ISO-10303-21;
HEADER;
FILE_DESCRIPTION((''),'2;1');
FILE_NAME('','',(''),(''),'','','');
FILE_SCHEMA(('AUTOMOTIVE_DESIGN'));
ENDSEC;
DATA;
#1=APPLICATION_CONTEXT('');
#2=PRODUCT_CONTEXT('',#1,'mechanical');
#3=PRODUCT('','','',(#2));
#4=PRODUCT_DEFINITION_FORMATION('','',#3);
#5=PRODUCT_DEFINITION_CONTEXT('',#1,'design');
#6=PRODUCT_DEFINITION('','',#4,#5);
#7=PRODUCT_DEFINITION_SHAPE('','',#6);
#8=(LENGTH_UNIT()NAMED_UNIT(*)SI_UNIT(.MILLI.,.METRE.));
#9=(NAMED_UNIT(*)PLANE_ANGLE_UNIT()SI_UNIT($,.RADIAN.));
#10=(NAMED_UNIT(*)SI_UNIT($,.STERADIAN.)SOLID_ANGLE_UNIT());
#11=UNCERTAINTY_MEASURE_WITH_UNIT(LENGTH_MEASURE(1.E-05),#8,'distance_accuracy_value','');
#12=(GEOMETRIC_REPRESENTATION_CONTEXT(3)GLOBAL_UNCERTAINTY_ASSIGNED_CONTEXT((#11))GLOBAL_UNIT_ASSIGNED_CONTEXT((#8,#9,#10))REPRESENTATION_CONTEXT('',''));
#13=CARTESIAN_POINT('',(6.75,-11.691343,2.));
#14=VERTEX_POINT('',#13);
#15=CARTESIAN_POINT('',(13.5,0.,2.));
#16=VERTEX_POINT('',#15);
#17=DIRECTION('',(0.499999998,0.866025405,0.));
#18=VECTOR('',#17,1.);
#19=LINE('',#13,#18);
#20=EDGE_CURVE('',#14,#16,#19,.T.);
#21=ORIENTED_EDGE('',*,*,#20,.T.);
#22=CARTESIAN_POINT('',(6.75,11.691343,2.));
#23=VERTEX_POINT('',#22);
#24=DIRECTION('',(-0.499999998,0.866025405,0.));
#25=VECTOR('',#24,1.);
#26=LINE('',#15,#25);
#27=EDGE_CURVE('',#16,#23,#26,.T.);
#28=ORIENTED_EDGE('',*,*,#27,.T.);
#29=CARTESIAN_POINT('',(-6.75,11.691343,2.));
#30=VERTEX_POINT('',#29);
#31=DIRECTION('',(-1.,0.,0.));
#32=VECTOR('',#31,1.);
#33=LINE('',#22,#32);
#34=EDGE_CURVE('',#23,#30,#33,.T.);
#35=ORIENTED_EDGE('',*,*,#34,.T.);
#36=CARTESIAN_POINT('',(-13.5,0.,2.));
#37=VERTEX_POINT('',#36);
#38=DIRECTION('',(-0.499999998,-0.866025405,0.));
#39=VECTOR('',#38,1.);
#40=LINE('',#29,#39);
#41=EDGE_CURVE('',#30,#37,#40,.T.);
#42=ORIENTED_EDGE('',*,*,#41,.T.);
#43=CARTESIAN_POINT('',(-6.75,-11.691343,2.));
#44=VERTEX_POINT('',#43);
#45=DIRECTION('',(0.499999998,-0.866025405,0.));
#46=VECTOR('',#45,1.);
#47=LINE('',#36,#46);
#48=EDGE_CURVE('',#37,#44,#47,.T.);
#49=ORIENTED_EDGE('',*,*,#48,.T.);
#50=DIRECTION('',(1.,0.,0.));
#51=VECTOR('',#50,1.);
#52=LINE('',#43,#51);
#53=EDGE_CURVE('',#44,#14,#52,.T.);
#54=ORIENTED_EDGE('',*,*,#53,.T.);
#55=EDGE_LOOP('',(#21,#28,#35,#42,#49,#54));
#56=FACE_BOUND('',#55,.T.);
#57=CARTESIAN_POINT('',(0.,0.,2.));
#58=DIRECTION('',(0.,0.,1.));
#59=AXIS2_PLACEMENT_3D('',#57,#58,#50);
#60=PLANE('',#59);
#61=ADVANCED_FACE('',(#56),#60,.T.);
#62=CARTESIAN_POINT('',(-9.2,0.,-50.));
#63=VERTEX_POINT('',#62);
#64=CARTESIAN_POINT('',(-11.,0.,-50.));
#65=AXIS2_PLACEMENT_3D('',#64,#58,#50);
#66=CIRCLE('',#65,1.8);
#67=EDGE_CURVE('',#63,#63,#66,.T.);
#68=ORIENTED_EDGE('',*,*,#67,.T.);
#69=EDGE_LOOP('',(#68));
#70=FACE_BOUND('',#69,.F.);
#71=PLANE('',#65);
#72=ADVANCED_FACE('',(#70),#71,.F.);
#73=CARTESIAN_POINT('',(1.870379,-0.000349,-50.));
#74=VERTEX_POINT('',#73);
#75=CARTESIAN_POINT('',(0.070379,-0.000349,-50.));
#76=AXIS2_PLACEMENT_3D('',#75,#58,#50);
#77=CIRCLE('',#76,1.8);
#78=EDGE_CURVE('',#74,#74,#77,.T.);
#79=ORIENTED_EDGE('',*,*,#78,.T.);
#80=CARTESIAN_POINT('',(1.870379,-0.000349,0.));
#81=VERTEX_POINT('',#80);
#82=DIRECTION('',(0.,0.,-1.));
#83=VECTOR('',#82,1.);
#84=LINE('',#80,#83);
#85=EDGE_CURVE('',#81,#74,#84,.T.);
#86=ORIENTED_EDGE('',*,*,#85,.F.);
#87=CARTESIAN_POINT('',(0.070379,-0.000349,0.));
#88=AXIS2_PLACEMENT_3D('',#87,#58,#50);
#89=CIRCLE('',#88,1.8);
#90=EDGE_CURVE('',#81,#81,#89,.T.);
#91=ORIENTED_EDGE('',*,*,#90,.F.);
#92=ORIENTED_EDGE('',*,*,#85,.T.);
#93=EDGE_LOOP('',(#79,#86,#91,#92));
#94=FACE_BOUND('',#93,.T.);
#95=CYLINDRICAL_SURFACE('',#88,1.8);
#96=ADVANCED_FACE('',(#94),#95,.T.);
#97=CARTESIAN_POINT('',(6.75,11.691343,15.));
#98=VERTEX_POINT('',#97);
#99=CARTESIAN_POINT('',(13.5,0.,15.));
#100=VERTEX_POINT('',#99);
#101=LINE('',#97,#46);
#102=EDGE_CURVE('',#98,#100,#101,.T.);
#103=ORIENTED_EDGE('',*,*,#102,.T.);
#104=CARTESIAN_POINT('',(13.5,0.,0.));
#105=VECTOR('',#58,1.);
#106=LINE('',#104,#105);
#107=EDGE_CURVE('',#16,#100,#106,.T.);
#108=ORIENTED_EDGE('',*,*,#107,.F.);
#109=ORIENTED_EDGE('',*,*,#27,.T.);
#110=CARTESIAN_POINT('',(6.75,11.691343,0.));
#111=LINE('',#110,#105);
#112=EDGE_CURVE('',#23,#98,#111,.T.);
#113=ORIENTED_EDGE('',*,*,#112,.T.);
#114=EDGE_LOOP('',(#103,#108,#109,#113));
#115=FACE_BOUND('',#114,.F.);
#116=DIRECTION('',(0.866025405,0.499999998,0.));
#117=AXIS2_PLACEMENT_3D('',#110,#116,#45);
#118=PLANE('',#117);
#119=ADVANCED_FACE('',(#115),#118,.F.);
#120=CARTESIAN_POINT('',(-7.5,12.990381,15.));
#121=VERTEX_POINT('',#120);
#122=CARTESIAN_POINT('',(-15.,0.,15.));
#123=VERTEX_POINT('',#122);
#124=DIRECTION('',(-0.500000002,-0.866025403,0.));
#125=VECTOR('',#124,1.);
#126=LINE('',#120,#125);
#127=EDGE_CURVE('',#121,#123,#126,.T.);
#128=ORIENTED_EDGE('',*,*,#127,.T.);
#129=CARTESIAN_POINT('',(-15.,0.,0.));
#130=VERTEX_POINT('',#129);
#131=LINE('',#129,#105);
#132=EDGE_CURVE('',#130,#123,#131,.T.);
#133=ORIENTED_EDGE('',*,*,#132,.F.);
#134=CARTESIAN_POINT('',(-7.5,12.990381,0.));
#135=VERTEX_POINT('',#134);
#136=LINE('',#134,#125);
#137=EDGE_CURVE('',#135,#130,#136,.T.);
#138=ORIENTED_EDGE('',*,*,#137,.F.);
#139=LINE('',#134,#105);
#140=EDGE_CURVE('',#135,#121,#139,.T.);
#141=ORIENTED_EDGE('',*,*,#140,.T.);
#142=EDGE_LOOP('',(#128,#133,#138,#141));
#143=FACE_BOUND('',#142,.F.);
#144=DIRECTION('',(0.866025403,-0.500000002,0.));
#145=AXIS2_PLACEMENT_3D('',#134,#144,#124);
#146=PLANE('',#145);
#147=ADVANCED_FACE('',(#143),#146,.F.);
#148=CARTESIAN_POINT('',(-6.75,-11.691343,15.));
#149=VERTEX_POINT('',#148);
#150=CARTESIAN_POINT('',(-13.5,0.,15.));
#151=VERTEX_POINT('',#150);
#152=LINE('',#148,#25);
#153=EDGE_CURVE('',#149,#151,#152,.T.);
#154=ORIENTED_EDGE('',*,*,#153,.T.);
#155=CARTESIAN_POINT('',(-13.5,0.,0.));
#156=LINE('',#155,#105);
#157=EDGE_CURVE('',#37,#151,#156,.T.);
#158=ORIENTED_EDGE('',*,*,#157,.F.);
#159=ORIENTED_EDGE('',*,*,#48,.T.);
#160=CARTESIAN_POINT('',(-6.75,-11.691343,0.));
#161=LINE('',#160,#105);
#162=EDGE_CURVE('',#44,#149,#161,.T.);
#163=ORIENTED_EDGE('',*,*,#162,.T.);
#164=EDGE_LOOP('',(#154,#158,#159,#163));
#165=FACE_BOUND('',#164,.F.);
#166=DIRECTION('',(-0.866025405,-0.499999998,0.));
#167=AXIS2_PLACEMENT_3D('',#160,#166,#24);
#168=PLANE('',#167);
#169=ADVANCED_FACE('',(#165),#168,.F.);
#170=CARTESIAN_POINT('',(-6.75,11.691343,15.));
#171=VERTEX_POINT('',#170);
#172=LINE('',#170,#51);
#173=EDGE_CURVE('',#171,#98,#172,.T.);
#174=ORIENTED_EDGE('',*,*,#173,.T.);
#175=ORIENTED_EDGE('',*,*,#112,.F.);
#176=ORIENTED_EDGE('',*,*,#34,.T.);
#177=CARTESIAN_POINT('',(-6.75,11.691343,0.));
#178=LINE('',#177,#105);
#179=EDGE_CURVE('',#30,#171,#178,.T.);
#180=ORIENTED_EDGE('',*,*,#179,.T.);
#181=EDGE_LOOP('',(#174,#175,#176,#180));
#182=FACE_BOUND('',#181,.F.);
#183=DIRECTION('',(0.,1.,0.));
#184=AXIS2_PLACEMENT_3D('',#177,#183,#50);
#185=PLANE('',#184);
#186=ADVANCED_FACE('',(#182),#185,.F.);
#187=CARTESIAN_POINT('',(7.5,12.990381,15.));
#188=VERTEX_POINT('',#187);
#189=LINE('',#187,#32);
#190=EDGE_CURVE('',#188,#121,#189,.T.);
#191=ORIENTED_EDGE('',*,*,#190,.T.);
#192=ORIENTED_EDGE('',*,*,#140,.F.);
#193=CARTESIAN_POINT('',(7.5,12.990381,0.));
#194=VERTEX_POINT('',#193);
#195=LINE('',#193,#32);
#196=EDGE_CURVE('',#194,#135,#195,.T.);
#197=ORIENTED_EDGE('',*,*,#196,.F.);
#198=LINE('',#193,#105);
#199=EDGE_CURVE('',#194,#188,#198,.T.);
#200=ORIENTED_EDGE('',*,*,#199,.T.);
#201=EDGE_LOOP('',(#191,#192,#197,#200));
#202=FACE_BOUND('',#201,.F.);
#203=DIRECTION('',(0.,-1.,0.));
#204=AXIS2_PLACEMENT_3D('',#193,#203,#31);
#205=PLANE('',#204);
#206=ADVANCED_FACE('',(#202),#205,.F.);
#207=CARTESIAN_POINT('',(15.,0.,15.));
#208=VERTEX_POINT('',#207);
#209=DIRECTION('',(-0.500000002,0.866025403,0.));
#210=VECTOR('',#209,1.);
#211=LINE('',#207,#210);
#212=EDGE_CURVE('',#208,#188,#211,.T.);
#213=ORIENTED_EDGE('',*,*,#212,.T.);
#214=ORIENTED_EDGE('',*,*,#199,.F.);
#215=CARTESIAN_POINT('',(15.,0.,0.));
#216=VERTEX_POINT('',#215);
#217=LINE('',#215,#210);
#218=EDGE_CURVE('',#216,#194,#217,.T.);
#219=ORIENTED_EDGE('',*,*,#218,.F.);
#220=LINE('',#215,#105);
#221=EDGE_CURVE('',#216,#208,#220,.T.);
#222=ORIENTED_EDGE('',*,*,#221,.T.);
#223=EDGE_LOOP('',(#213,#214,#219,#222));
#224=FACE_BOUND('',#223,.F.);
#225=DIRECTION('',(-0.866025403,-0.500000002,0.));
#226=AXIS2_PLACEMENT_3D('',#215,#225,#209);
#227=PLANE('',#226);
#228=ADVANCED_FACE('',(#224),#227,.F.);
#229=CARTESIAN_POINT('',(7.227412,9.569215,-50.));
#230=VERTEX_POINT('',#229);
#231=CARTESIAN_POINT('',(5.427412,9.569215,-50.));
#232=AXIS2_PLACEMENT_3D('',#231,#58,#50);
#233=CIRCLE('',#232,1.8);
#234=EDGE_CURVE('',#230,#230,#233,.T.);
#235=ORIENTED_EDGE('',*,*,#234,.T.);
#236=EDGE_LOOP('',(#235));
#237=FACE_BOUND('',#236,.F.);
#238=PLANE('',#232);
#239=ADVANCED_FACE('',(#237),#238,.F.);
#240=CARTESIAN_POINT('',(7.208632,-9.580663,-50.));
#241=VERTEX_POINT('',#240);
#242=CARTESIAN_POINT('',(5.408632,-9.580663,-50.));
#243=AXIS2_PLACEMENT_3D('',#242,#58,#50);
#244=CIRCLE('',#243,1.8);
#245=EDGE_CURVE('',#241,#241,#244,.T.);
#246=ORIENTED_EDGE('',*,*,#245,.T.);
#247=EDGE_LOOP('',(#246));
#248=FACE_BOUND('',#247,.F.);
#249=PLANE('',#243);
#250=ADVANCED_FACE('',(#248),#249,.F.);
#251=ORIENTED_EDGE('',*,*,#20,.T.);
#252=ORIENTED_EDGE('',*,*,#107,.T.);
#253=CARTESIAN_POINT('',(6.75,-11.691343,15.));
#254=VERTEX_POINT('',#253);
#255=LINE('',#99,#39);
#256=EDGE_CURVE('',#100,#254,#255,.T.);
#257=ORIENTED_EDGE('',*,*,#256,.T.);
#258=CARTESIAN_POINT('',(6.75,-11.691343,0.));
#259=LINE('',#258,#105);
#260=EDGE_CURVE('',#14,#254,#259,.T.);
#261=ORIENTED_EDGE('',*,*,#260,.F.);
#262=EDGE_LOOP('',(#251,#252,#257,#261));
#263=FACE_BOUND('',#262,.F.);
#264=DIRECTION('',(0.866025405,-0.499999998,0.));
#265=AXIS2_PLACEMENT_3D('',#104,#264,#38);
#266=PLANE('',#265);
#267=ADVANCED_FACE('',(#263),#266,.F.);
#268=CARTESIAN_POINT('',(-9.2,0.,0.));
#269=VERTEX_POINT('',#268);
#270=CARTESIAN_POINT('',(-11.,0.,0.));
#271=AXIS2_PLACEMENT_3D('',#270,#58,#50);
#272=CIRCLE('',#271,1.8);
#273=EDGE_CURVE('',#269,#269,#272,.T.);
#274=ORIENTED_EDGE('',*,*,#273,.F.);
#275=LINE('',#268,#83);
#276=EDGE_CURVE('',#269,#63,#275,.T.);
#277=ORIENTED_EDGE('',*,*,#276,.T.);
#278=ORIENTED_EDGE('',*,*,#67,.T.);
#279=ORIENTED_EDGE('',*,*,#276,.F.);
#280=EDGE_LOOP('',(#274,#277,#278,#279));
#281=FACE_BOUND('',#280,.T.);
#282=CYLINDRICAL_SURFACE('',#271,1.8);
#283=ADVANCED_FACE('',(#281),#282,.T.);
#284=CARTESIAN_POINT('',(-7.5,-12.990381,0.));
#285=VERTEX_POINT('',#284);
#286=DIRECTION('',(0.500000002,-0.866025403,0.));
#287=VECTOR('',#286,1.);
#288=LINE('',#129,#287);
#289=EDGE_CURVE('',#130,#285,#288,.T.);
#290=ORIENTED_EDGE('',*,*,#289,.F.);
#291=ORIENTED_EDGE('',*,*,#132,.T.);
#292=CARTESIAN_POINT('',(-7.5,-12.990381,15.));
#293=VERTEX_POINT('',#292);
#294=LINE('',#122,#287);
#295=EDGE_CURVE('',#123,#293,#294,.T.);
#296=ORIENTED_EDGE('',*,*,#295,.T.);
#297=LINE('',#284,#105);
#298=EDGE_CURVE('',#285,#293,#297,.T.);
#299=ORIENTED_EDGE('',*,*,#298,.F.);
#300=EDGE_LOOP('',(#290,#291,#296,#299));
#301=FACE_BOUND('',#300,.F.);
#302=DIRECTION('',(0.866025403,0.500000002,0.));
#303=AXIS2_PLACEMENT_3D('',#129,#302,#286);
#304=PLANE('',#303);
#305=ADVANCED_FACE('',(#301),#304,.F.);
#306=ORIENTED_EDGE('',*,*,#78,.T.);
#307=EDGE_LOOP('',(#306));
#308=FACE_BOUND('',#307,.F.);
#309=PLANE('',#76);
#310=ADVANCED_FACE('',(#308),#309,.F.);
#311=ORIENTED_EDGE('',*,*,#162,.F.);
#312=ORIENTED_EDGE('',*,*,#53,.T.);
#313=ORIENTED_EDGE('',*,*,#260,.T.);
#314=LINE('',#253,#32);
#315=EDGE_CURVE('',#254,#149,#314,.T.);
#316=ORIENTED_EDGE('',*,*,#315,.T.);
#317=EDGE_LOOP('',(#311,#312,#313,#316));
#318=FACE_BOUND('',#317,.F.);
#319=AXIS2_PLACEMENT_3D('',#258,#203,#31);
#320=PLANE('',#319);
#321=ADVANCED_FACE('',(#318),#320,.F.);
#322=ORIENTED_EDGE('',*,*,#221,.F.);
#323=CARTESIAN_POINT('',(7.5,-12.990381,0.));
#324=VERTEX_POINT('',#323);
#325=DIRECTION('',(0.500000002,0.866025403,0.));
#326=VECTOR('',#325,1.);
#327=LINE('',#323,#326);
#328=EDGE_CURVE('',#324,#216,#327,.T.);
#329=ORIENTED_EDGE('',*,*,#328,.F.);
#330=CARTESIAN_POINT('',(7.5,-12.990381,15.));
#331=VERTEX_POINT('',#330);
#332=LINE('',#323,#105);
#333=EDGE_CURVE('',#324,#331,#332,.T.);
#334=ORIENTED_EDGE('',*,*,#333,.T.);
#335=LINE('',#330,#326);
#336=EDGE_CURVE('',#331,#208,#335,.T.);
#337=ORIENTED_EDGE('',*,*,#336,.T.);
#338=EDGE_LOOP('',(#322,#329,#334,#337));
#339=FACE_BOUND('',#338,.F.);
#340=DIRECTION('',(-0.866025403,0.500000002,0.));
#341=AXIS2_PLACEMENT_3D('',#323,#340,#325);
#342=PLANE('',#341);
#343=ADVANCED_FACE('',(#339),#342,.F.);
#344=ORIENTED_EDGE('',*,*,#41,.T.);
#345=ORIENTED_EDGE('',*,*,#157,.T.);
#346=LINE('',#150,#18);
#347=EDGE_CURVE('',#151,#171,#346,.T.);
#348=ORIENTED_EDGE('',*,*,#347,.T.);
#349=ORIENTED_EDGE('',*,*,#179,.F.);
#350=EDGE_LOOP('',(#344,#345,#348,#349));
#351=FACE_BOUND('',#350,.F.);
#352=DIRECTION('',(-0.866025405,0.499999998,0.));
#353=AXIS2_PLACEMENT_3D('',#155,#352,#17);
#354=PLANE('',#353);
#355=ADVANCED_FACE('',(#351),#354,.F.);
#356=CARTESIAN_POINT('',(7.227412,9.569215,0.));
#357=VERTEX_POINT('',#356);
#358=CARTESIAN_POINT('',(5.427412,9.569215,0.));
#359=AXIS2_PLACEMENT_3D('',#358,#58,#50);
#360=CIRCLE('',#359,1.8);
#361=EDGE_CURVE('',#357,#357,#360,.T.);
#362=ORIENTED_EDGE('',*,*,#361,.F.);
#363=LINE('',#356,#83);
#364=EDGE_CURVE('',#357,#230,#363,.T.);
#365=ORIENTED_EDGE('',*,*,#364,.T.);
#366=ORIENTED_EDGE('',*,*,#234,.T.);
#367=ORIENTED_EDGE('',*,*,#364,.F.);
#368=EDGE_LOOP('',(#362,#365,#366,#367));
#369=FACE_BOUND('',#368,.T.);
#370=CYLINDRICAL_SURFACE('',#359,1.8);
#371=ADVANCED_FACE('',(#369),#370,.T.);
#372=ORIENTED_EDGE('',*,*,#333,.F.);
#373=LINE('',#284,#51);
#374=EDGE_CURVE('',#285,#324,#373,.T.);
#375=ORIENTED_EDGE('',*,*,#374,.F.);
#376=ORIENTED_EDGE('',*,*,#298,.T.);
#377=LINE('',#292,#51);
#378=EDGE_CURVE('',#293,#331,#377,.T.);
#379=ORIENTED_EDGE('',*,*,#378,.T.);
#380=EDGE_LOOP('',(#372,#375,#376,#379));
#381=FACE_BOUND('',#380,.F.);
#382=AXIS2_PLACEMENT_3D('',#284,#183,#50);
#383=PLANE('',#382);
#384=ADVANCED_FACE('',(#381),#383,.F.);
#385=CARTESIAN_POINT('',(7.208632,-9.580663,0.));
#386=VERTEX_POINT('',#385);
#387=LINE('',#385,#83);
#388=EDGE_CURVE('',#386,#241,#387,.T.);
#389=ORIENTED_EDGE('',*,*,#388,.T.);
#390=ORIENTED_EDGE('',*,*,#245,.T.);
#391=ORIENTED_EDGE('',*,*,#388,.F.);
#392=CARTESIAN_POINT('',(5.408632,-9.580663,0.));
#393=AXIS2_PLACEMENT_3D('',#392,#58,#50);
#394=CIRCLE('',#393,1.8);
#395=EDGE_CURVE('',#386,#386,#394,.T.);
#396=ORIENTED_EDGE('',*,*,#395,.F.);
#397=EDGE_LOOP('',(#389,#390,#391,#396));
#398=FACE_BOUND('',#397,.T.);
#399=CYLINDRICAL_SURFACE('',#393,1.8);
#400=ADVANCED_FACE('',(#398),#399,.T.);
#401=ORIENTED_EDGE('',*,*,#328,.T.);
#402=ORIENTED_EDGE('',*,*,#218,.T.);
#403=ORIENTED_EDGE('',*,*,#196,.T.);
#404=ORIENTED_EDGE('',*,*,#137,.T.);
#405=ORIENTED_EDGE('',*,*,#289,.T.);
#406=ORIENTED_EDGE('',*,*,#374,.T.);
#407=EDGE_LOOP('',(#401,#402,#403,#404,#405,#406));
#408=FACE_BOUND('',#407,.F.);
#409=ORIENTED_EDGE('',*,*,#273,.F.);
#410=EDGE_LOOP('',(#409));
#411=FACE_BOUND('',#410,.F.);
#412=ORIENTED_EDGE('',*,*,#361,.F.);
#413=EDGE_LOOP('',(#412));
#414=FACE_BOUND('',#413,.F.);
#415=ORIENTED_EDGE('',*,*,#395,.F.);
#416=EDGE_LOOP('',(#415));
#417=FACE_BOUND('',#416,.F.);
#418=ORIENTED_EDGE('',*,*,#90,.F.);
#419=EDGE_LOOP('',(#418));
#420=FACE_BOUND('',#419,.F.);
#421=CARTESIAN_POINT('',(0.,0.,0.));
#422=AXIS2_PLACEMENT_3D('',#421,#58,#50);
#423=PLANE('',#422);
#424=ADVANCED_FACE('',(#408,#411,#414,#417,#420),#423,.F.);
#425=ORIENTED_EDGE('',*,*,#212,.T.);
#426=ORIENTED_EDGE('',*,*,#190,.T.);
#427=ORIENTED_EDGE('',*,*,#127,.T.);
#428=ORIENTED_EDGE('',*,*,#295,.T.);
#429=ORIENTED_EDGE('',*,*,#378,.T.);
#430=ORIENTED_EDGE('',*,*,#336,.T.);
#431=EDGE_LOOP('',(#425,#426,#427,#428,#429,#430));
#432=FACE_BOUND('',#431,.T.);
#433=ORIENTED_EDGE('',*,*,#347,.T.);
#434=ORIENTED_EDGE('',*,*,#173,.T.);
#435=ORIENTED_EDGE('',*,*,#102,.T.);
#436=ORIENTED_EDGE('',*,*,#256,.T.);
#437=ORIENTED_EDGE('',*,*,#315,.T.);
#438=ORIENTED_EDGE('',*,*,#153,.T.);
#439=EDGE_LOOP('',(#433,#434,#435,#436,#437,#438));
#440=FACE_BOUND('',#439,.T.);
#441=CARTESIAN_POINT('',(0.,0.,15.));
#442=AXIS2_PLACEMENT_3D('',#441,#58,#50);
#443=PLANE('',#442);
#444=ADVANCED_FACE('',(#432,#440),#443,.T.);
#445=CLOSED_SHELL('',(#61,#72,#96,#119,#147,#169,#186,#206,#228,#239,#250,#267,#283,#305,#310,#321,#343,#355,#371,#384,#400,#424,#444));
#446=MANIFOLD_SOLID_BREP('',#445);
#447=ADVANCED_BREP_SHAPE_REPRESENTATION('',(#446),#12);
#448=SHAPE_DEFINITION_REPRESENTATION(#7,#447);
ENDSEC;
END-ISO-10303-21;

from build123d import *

# Parameters (mm, degrees)
F1_DEPTH = 15
F2_DEPTH = 2
F3_R     = 1.8
F4_DEPTH = 50


with BuildPart() as f1:
    # F0 (on Top) → F1 (new body)
    with BuildSketch(Plane.XY):
        Polygon((7.5, -12.990381), (15, 0), (7.5, 12.990381), (-7.5, 12.990381), (-15, 0), (-7.5, -12.990381), align=None)
        Polygon((6.75, 11.691343), (13.5, 0), (6.75, -11.691343), (-6.75, -11.691343), (-13.5, 0), (-6.75, 11.691343), align=None, mode=Mode.SUBTRACT)
    extrude(amount=F1_DEPTH)

    # F0 (on Top) → F2 (join)
    with BuildSketch(Plane.XY):
        Polygon((6.75, -11.691343), (13.5, 0), (6.75, 11.691343), (-6.75, 11.691343), (-13.5, 0), (-6.75, -11.691343), align=None)
    extrude(amount=F2_DEPTH)

    # F3 (on Top) → F4 (join)
    with BuildSketch(Plane.XY):
        with Locations((-11, 0)):
            Circle(F3_R)
        with Locations((5.427412, 9.569215)):
            Circle(F3_R)
        with Locations((5.408632, -9.580663)):
            Circle(F3_R)
        with Locations((0.070379, -0.000349)):
            Circle(F3_R)
    extrude(amount=-F4_DEPTH)


solid = f1.part
